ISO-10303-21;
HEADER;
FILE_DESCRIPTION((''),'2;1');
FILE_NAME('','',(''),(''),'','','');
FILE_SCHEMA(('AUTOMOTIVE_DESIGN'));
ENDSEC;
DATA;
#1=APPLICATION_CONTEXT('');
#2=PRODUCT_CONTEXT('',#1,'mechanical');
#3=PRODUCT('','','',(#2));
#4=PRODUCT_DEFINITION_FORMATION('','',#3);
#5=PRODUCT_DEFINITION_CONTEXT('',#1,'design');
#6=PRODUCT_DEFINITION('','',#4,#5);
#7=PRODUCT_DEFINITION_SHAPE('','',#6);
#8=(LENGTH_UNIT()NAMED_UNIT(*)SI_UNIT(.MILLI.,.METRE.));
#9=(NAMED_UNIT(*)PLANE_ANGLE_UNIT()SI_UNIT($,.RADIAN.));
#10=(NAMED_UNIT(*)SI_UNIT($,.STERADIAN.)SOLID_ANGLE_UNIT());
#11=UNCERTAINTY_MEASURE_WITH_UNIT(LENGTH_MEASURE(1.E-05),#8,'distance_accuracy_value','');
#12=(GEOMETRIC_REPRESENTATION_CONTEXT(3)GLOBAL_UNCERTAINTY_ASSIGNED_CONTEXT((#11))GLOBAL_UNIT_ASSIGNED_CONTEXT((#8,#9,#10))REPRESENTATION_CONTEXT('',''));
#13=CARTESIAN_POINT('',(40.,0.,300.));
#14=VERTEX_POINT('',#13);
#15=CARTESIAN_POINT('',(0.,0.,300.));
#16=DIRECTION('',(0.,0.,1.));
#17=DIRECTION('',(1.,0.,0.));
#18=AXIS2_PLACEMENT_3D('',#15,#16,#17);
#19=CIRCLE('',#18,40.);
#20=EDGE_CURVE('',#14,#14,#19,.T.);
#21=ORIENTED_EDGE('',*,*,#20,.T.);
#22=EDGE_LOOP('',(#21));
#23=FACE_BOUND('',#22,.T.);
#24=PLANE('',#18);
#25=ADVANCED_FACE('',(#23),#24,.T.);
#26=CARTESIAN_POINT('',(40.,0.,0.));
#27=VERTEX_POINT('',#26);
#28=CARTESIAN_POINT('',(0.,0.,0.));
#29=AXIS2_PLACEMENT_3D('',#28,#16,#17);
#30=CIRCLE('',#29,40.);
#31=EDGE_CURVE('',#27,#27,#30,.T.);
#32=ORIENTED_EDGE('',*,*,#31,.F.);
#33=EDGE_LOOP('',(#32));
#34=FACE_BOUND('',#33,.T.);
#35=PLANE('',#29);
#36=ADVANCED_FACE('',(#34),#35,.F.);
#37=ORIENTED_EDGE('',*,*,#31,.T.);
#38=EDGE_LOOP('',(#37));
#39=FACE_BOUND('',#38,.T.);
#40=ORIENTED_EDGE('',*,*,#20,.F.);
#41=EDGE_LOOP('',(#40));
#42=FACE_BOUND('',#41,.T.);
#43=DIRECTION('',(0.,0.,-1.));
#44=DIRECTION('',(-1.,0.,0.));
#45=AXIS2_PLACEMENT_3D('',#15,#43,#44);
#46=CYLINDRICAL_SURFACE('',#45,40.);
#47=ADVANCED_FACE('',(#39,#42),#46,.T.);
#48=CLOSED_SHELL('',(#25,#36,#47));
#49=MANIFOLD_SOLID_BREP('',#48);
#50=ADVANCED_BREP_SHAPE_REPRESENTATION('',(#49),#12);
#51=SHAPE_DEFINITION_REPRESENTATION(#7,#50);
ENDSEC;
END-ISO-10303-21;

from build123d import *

# Parameters (mm, degrees)
CROQUIS1_R              = 40
SALIENTE_EXTRUIR1_DEPTH = 300


with BuildPart() as part:
    # Croquis1 → Saliente-Extruir1 (new body)
    with BuildSketch(Plane.XY):
        Circle(CROQUIS1_R)
    extrude(amount=SALIENTE_EXTRUIR1_DEPTH)


solid = part.part
